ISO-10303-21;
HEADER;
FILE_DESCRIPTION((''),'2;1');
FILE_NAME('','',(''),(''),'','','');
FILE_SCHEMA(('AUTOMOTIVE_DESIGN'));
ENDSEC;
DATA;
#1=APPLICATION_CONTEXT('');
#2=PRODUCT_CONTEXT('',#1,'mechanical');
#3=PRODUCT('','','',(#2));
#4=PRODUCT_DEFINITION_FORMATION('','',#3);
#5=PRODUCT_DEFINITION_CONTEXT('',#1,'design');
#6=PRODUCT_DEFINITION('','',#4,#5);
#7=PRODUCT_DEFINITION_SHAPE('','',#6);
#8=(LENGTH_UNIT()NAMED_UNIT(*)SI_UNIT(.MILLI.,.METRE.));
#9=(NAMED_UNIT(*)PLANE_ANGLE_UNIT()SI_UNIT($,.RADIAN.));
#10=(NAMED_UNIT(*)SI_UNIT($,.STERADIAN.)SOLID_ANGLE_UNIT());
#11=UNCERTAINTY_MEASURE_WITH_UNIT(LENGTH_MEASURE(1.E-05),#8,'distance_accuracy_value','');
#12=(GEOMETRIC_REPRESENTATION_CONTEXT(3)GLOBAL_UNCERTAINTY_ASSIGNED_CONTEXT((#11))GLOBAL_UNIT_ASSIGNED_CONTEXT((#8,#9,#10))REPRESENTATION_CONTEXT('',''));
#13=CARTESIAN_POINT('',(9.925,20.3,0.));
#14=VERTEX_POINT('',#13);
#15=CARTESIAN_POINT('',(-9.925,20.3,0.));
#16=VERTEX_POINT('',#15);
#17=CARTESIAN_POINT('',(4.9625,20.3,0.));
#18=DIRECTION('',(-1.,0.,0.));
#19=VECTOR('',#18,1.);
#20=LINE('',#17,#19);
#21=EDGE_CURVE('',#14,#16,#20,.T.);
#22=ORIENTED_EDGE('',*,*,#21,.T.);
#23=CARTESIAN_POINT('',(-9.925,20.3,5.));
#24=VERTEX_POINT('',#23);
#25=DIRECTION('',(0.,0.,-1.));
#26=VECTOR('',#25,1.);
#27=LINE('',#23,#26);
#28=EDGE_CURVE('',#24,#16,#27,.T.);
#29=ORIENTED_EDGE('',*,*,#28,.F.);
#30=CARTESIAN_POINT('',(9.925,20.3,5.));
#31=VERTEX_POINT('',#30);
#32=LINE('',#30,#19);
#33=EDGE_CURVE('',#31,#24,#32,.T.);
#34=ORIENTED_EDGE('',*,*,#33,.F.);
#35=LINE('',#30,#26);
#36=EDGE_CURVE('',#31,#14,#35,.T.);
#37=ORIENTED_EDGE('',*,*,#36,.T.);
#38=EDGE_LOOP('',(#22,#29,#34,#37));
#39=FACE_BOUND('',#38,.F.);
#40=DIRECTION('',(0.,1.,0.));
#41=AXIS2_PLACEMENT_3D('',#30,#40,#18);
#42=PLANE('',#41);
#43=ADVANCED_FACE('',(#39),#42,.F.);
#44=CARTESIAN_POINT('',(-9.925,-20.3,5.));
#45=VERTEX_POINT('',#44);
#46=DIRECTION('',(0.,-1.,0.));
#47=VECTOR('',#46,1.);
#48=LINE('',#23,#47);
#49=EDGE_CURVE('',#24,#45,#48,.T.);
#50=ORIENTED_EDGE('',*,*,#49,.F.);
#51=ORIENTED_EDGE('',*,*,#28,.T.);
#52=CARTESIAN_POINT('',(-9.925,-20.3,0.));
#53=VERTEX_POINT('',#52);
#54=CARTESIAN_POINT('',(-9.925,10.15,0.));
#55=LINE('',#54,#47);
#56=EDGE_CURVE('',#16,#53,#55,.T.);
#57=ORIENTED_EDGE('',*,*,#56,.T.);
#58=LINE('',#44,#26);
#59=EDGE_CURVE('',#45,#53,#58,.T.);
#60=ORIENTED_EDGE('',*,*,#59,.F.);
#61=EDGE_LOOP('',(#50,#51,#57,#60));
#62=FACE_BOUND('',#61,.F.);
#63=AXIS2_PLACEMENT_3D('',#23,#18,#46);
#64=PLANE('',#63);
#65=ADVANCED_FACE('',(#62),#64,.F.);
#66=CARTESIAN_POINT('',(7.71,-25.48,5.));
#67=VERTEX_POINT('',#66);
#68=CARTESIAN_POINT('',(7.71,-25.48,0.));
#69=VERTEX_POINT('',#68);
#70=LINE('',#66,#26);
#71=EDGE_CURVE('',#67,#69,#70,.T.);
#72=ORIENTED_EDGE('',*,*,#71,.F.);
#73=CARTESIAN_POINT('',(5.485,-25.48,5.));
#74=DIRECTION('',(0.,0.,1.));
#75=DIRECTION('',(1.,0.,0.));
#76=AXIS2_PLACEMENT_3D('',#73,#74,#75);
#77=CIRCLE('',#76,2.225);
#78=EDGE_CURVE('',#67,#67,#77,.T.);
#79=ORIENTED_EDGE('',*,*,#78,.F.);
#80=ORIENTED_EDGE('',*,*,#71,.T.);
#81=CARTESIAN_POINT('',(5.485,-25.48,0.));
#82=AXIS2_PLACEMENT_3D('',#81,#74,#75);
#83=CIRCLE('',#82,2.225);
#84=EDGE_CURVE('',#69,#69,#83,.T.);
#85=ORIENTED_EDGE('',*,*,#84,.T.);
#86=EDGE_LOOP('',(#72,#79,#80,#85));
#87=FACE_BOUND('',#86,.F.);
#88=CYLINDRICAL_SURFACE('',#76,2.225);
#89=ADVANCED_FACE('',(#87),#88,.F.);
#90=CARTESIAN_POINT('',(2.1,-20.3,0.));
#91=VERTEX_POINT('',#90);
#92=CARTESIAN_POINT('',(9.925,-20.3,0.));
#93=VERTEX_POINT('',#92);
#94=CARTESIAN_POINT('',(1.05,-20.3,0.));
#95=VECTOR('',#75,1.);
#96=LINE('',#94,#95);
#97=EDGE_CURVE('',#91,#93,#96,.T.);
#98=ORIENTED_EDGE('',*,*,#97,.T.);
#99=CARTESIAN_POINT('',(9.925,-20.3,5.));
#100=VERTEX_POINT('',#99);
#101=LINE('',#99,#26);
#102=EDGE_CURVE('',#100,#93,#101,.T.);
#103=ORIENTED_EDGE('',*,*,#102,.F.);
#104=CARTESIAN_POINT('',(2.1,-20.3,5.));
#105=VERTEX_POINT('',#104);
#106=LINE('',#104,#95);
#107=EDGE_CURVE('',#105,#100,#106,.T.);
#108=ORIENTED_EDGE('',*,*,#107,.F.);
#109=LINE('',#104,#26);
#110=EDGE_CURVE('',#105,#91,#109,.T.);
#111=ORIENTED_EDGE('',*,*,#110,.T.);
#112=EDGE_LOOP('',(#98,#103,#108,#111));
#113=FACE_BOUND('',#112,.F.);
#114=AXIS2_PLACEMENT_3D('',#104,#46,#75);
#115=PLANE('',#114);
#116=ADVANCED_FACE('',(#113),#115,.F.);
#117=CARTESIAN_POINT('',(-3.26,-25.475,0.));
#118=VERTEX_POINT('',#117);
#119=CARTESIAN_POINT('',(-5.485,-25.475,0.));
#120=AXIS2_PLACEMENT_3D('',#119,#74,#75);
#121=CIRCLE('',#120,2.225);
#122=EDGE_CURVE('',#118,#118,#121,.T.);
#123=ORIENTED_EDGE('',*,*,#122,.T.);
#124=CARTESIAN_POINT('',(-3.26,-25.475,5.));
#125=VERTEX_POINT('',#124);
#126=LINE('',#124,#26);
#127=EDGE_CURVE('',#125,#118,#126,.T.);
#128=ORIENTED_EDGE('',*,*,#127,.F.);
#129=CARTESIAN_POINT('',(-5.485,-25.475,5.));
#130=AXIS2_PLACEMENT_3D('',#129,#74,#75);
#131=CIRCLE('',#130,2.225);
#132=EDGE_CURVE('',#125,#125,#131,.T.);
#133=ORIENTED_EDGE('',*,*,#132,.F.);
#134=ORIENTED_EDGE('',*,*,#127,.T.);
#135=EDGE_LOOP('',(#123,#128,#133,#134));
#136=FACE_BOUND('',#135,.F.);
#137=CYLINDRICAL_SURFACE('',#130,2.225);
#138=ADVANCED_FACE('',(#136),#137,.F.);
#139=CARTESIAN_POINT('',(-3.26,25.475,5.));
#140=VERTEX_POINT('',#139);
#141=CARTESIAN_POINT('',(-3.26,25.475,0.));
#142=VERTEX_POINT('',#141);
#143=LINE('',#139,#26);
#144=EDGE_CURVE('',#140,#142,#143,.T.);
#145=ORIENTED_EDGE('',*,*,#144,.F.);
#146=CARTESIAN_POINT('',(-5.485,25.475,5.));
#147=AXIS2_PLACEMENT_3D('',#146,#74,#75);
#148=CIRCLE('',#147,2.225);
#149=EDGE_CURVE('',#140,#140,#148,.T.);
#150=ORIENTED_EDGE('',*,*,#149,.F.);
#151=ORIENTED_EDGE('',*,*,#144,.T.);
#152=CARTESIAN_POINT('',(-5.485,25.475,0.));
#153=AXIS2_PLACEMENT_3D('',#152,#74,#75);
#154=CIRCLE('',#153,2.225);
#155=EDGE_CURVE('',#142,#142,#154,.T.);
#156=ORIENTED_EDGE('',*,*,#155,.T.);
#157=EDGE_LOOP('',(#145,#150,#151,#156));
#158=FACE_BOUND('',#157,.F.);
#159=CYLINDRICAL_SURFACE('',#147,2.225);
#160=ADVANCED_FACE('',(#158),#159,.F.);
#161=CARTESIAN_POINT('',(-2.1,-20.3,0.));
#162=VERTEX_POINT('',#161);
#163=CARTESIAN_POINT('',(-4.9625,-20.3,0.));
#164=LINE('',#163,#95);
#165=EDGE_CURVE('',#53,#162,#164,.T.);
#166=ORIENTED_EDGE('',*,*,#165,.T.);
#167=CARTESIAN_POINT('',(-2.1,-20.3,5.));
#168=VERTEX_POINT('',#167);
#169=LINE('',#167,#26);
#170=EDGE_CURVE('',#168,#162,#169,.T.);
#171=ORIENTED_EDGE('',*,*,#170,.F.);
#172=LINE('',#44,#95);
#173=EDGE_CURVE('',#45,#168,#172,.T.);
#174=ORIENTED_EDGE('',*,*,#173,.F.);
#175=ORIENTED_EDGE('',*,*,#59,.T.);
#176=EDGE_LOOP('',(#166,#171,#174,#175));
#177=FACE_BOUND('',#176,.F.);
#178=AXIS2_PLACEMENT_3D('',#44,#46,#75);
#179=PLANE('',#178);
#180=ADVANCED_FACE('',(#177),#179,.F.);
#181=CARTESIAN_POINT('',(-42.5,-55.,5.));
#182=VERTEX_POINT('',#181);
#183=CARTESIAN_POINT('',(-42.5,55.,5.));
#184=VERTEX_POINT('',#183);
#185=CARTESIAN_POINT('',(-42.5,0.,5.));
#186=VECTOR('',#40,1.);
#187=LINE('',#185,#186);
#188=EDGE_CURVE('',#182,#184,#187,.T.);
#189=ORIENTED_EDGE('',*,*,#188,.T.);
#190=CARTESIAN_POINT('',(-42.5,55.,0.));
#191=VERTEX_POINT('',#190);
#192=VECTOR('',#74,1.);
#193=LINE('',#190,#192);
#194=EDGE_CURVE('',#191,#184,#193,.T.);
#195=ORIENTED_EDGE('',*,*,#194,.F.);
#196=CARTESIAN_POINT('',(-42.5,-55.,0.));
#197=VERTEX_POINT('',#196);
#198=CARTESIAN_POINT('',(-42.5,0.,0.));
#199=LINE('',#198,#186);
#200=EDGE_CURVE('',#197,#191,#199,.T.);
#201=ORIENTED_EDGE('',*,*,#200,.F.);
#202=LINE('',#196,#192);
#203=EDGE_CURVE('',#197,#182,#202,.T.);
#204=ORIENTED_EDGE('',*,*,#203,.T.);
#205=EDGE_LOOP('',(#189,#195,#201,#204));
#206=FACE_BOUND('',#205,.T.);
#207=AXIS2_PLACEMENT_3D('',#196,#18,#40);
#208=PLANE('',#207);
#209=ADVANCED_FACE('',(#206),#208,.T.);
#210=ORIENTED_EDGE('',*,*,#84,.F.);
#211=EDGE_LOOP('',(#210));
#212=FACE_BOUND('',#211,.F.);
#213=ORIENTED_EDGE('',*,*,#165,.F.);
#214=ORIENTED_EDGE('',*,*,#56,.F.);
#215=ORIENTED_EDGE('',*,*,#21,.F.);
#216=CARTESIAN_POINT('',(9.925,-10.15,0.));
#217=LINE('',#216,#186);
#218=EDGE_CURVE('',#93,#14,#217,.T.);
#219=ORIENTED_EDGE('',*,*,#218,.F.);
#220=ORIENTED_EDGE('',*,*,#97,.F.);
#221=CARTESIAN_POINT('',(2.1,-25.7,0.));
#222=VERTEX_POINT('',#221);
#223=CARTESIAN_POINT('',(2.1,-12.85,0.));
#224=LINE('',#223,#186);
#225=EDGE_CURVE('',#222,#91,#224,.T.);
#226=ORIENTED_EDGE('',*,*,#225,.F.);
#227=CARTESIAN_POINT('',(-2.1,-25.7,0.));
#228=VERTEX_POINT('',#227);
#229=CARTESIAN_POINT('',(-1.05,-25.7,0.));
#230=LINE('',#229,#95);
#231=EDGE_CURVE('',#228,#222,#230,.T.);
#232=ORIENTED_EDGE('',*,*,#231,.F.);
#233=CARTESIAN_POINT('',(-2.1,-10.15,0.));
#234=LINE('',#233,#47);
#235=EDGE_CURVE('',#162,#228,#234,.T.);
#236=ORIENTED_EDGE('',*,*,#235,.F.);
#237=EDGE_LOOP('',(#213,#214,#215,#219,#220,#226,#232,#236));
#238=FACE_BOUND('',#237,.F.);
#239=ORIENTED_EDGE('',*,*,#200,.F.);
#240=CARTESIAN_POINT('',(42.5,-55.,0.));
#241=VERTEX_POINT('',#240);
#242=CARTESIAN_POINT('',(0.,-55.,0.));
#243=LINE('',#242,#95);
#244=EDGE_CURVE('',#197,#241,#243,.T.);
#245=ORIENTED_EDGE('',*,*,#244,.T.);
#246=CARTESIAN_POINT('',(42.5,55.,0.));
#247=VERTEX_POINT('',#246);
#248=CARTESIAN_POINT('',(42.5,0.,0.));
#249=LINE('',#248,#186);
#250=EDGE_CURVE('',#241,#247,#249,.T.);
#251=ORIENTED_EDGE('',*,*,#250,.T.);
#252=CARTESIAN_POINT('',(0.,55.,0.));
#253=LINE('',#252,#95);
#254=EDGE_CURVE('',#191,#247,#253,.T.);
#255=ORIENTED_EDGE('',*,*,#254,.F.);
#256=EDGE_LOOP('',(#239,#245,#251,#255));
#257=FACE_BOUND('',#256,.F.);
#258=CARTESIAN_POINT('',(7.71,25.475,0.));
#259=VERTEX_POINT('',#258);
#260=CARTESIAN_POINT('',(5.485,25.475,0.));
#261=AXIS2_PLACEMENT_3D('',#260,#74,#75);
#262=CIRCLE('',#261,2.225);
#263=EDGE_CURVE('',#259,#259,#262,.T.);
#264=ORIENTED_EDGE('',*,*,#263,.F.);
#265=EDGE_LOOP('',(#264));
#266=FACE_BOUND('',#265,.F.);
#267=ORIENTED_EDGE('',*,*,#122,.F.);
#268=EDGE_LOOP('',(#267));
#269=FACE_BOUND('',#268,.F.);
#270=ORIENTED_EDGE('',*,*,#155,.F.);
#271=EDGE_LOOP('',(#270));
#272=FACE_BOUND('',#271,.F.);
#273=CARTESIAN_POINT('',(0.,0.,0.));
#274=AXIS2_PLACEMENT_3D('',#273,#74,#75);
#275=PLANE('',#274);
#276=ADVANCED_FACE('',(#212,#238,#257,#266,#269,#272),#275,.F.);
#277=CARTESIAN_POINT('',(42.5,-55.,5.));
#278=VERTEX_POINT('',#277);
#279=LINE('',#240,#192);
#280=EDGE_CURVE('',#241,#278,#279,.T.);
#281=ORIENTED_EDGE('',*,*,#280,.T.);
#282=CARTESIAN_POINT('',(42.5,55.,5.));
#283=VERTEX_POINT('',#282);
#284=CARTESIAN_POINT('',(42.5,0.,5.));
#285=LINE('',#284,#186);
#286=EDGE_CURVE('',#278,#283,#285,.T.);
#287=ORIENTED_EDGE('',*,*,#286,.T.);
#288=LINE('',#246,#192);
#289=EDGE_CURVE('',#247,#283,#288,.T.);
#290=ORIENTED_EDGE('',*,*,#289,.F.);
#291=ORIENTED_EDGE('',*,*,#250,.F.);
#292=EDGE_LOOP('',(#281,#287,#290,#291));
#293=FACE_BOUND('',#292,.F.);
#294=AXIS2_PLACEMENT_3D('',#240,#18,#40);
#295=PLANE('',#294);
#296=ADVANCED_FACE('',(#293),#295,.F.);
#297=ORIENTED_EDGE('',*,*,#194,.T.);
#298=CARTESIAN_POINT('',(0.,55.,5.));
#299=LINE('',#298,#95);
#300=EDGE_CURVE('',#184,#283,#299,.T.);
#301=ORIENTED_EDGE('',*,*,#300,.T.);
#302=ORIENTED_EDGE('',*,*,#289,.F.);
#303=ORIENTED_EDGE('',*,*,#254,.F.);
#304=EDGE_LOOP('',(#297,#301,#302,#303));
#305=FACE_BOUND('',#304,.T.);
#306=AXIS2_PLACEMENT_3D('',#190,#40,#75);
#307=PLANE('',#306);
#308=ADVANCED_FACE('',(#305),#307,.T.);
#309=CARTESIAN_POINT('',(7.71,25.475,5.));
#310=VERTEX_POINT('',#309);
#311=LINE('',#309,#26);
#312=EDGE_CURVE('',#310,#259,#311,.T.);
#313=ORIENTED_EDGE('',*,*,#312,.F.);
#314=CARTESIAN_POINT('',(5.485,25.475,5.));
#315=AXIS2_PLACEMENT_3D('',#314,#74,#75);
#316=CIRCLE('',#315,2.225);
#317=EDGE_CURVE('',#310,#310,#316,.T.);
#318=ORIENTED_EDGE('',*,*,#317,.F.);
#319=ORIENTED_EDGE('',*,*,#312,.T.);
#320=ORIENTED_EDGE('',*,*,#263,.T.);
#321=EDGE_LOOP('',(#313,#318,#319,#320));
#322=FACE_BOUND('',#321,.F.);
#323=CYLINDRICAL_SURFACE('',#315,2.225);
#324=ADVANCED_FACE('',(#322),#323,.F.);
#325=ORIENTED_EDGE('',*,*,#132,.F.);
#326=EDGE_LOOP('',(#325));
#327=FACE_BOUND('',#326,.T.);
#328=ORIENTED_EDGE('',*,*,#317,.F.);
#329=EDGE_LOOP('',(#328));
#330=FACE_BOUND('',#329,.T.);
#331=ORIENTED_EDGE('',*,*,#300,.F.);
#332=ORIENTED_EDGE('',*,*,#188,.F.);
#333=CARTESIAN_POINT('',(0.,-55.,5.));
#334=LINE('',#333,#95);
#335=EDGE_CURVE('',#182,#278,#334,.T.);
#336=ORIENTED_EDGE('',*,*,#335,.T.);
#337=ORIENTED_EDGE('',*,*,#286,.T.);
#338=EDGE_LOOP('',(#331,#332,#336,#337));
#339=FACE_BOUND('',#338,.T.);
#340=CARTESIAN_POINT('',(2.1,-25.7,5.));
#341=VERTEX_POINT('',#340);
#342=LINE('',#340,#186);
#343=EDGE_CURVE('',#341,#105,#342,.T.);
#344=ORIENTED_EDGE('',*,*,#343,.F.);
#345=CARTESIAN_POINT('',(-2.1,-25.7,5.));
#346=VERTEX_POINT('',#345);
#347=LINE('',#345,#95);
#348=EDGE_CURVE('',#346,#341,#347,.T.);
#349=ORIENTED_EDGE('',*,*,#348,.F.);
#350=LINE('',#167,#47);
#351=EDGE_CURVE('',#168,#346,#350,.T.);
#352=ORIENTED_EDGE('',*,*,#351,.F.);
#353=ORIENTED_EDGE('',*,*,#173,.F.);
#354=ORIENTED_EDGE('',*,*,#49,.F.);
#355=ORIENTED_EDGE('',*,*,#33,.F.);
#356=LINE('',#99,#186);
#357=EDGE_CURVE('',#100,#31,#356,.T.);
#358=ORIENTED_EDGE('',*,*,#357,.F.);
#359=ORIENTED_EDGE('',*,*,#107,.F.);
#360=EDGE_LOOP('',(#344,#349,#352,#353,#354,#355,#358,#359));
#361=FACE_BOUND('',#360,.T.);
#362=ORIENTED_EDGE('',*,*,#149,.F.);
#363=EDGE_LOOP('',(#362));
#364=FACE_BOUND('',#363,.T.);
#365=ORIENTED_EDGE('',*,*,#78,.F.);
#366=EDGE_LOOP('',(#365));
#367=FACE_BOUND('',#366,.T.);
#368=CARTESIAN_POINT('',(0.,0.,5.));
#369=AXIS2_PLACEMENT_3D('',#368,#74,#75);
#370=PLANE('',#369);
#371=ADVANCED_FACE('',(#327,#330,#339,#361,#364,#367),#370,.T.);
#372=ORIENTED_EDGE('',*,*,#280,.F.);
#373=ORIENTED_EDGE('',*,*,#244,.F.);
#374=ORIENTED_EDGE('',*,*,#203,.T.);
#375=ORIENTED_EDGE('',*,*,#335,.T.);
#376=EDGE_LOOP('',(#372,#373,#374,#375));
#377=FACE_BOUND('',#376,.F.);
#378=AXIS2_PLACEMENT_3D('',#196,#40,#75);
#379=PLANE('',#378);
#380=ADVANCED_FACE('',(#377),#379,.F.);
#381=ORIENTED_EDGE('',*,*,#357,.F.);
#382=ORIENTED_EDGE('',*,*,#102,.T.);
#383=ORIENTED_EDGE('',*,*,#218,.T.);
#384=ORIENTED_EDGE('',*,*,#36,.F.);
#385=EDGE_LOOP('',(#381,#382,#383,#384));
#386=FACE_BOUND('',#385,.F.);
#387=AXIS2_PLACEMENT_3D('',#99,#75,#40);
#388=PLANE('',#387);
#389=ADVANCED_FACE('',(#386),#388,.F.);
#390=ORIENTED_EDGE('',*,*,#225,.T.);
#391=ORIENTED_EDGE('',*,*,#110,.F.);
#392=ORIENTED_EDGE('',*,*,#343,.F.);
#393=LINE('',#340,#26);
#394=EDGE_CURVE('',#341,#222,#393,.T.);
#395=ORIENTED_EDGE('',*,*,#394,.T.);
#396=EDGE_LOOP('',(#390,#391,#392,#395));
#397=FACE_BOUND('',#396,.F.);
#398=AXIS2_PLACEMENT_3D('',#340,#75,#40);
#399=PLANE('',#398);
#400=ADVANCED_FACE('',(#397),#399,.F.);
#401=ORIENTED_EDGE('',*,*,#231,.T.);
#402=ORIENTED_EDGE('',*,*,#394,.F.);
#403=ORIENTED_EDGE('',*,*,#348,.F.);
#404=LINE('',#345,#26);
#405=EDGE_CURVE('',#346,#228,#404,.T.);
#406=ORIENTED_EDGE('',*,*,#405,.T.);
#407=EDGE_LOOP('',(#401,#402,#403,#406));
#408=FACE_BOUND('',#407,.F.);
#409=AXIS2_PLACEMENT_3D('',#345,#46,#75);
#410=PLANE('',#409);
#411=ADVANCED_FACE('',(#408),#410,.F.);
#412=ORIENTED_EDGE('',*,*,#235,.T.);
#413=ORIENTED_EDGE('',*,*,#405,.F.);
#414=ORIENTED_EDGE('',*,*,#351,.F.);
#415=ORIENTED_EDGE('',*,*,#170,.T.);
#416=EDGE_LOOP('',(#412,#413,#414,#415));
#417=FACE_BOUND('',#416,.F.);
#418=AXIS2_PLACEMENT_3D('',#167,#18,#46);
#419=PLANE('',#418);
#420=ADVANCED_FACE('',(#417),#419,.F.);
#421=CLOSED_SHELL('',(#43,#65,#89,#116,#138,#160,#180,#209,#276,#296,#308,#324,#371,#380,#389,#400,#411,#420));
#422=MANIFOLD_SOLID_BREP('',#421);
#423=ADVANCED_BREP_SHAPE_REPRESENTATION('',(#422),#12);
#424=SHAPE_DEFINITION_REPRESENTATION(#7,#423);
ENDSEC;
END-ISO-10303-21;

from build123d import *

# Parameters (mm, degrees)
F0_W     = 85
F0_H     = 110
F1_DEPTH = 5
F3_DEPTH = 25
F4_R     = 2.225
F5_DEPTH = 25


with BuildPart() as f1:
    # F0 (on Top) → F1 (new body)
    with BuildSketch(Plane.XY):
        Rectangle(F0_W, F0_H)
    extrude(amount=F1_DEPTH)

    # F2 (on face) → F3 (cut)
    with BuildSketch(Plane.XY.offset(5)):
        Polygon((9.925, -20.3), (9.925, 20.3), (-9.925, 20.3), (-9.925, -20.3), (-2.1, -20.3), (-2.1, -25.7), (2.1, -25.7), (2.1, -20.3), align=None)
    extrude(amount=-F3_DEPTH, mode=Mode.SUBTRACT)

    # F4 (on face) → F5 (cut)
    with BuildSketch(Plane.XY.offset(5)):
        with Locations((-5.485, 25.475)):
            Circle(F4_R)
        with Locations((5.485, 25.475)):
            Circle(F4_R)
        with Locations((-5.485, -25.475)):
            Circle(F4_R)
        with Locations((5.485, -25.48)):
            Circle(F4_R)
    extrude(amount=-F5_DEPTH, mode=Mode.SUBTRACT)


solid = f1.part
